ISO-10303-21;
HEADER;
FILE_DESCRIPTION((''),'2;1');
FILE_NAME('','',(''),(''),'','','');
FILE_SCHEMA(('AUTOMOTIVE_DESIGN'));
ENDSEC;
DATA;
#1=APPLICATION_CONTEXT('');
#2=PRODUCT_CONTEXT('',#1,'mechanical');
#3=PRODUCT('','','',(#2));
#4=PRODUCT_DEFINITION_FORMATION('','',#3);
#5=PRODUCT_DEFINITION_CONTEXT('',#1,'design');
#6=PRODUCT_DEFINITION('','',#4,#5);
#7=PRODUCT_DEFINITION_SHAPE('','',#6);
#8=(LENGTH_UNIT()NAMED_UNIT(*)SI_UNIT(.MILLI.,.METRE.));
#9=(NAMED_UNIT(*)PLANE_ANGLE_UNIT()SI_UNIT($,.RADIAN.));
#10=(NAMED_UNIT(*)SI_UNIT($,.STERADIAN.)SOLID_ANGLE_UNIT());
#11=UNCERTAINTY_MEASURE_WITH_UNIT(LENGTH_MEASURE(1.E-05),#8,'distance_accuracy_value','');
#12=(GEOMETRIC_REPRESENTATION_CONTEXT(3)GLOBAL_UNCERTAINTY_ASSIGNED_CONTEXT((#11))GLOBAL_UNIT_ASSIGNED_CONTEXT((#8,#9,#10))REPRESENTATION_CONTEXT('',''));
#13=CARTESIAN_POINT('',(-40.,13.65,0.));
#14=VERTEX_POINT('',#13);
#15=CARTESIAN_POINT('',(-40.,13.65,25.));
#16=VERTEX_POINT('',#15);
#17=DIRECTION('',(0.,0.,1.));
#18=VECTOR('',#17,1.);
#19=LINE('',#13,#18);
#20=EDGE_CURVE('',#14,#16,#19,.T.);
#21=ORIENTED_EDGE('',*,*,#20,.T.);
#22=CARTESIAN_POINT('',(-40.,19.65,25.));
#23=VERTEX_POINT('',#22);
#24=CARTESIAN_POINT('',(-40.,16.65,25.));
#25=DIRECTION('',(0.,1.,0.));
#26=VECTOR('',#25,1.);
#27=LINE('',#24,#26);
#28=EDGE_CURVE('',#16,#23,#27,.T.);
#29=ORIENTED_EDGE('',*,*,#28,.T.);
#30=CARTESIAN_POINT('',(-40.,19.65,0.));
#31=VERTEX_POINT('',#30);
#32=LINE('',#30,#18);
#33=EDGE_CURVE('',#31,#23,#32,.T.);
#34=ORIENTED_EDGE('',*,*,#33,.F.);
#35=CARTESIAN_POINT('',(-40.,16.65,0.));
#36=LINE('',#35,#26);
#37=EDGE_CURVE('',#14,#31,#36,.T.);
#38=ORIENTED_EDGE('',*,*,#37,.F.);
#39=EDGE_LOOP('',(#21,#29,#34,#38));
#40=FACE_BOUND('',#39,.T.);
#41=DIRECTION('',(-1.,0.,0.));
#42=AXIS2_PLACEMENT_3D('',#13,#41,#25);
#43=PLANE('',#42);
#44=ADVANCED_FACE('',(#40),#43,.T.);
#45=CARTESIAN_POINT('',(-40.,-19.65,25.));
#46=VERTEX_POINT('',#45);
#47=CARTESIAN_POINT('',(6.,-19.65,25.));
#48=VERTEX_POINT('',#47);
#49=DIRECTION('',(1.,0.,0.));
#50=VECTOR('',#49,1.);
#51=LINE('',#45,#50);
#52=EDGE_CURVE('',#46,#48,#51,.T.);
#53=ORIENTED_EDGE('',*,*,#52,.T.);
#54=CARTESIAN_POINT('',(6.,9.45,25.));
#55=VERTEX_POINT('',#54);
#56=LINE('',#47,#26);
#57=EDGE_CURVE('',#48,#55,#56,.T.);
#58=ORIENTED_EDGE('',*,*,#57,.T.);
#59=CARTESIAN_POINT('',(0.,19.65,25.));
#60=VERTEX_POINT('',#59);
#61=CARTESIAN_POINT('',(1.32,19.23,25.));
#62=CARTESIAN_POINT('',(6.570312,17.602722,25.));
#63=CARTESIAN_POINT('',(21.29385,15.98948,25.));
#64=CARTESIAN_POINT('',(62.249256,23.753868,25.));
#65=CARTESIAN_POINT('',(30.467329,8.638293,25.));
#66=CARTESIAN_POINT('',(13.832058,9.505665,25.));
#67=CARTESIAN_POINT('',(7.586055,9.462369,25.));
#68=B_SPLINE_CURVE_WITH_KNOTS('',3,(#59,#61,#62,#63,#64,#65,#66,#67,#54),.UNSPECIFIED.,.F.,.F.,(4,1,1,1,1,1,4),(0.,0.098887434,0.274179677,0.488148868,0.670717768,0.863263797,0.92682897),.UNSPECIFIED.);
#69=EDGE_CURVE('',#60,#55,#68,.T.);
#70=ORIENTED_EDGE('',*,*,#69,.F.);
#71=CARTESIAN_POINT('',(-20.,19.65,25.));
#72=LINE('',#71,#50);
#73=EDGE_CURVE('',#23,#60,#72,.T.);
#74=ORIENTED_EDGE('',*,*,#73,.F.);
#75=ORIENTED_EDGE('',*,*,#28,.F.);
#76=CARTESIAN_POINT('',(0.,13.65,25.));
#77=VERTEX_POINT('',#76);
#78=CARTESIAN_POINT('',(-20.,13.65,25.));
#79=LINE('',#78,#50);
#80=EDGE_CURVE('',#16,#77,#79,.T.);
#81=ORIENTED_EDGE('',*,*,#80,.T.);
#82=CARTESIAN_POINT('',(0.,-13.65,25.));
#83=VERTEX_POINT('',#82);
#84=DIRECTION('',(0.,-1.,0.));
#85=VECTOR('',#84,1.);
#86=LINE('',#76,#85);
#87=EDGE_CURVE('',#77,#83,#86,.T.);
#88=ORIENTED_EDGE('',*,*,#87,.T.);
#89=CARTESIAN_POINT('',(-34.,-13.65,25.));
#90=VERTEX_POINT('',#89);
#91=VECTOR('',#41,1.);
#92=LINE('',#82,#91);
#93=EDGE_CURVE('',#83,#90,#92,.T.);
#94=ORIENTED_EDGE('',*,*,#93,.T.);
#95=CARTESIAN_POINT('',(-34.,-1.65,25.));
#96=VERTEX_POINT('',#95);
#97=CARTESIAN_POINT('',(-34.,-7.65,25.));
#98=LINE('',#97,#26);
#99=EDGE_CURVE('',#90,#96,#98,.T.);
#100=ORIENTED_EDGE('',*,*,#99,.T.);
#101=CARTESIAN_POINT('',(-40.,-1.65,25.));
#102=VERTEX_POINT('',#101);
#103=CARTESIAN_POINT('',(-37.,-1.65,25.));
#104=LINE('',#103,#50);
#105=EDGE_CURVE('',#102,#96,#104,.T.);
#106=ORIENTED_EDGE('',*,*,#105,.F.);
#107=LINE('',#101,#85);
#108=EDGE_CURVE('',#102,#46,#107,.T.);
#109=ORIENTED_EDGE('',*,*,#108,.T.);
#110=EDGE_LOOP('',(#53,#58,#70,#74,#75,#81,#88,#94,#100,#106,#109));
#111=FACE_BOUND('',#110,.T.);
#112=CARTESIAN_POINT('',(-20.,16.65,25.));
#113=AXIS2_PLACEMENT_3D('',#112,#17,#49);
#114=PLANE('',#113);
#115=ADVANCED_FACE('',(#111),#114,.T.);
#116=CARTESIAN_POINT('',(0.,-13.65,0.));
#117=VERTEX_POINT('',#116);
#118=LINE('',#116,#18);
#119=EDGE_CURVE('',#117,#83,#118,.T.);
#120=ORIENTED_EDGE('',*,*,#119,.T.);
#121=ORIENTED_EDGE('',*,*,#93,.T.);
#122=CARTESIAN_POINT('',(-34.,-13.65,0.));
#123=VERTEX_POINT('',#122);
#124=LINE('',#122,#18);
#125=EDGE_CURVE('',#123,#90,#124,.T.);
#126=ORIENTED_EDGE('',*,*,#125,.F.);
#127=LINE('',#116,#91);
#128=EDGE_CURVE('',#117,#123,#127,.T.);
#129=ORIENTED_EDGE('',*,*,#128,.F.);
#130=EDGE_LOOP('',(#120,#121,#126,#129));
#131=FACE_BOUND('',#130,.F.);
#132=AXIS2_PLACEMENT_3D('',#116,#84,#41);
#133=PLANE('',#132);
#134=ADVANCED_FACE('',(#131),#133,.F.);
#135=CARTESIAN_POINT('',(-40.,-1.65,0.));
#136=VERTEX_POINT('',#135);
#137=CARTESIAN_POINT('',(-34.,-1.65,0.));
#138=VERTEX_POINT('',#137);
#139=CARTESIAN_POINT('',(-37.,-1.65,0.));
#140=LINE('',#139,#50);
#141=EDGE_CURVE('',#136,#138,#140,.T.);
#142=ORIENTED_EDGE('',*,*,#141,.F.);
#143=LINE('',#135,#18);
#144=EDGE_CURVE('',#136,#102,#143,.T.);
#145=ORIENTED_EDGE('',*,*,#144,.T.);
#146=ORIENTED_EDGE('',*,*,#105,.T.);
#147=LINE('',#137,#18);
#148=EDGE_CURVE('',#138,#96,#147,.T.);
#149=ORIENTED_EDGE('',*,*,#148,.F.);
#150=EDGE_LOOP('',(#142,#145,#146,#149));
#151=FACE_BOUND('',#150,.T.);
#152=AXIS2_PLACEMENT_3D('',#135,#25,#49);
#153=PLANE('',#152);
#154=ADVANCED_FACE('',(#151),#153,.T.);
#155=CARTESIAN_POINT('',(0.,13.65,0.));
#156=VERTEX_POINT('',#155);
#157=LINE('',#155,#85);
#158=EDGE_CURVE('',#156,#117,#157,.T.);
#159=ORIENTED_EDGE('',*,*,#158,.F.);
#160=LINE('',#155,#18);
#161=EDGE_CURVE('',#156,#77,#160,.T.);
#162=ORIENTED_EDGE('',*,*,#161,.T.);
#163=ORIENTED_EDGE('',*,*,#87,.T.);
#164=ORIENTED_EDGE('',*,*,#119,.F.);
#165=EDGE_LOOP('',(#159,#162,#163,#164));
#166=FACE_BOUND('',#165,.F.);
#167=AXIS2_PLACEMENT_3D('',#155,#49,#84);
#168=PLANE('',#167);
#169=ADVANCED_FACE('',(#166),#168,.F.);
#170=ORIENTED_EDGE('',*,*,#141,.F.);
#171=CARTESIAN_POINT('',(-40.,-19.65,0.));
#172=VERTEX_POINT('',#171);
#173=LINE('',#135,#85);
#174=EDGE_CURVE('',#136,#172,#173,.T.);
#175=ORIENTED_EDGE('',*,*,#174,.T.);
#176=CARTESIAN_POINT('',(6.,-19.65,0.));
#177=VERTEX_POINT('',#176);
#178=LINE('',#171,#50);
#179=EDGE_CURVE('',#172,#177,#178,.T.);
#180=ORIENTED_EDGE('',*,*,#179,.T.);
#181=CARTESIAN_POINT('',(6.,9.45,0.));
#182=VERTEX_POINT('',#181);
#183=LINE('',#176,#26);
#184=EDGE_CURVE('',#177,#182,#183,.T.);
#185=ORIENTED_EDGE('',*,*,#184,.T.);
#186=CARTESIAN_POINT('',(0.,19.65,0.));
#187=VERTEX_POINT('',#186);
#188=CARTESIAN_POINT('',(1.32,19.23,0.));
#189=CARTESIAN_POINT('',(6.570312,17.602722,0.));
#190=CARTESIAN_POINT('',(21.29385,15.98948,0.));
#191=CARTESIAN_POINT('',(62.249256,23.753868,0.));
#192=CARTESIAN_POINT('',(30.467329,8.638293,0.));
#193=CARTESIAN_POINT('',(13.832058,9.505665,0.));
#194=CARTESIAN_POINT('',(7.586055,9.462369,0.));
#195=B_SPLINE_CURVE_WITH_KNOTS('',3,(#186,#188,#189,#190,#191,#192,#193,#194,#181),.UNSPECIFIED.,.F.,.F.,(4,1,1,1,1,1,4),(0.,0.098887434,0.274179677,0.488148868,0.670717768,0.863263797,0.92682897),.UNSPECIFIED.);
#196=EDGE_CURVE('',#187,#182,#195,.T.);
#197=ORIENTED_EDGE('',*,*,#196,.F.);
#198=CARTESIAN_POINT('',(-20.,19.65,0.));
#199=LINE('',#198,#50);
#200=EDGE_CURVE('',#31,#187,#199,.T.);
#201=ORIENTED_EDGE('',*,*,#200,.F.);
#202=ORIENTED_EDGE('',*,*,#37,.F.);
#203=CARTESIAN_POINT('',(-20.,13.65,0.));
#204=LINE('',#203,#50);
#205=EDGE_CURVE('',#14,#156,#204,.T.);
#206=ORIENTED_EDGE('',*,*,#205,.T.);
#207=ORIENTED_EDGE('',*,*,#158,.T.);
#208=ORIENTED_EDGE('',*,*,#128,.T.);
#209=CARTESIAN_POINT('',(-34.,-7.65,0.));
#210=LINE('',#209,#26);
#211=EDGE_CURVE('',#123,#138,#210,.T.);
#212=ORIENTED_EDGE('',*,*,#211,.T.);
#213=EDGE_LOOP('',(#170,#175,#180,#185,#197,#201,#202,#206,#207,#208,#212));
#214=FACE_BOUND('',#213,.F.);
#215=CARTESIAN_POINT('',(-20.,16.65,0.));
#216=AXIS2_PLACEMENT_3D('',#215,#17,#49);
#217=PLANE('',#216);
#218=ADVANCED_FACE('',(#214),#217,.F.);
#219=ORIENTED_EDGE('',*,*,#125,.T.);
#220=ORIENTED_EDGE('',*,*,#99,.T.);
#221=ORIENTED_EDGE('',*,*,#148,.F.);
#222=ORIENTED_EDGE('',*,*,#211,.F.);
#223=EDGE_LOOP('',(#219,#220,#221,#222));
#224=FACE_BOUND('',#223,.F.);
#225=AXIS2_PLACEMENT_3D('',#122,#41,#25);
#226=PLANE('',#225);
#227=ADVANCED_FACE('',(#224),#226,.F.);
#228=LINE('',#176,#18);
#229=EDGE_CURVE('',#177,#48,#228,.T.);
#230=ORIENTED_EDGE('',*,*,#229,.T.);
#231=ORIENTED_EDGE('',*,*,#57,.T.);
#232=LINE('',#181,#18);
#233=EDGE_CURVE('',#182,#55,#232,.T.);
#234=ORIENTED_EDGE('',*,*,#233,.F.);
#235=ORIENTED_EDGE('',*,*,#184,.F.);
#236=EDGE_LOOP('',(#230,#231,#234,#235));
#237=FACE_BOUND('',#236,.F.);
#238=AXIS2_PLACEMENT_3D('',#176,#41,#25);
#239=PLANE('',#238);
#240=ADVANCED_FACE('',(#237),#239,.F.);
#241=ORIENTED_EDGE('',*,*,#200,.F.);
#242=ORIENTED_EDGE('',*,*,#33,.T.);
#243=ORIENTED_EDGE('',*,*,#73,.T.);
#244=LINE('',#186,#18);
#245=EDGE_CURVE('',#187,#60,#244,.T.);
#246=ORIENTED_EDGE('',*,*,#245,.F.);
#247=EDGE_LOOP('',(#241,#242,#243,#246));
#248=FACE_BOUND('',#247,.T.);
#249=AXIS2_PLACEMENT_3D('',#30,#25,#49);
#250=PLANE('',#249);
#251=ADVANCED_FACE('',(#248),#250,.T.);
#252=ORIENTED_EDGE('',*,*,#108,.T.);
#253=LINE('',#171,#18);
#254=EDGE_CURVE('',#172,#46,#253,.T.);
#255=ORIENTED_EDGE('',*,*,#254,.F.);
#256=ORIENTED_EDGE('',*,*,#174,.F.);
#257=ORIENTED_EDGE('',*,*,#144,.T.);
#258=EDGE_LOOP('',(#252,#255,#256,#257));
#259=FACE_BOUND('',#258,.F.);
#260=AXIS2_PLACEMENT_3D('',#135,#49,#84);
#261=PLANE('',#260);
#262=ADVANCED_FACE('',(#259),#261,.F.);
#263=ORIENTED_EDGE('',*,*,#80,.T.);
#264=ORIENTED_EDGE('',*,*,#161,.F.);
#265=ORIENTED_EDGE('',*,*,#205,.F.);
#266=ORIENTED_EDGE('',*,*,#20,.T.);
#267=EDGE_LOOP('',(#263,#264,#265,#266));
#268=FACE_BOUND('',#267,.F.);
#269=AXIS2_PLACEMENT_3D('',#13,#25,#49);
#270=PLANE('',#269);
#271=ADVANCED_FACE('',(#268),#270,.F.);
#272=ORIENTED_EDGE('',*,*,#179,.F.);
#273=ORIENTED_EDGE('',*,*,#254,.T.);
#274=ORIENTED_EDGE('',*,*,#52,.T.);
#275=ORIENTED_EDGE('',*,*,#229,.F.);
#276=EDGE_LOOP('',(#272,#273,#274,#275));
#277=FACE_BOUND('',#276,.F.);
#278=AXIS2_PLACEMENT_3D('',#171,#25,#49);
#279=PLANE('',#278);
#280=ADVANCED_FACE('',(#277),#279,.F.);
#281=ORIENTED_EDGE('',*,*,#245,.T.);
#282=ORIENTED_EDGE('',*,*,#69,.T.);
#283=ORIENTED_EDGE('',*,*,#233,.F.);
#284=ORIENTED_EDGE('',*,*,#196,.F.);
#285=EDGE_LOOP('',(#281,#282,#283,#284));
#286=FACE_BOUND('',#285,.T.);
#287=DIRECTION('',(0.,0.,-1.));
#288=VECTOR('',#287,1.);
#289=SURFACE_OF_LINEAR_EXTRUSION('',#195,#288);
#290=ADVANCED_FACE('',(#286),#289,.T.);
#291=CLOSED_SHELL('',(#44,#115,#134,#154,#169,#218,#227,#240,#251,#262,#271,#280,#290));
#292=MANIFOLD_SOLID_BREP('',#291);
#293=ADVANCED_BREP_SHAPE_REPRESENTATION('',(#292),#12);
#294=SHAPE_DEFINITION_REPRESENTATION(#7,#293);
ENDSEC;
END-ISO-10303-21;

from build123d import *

# Parameters (mm, degrees)
F0_W     = 40
F0_H     = 6
F0_W_2   = 6
F0_H_2   = 12
F1_DEPTH = 25


with BuildPart() as f1:
    # F0 (on Top) → F1 (new body)
    with BuildSketch(Plane.XY):
        with Locations((-20, 16.65)):
            Rectangle(F0_W, F0_H)
        with BuildLine():
            add(Edge.make_bspline(
                [(0, 19.65), (1.32, 19.23), (6.5703118609, 17.6027221404), (21.2938495912, 15.9894800668), (62.2492562739, 23.7538682889), (30.4673287597, 8.6382934014), (13.8320583584, 9.5056647609), (7.5860551278, 9.4623694736), (6, 9.45)],
                knots=[0, 0, 0, 0, 0.0988874341, 0.2741796768, 0.4881488683, 0.670717768, 0.8632637966, 0.9268289701, 0.9268289701, 0.9268289701, 0.9268289701], degree=3))
            Line((0, 19.65), (0, 13.65))
            Line((0, 13.65), (0, 9.45))
            add(Edge.make_bspline(
                [(6, 9.45), (4.1742630295, 9.4357612734), (2.3010396726, 9.4193708157), (0, 9.45)],
                knots=[0.9268289701, 0.9268289701, 0.9268289701, 0.9268289701, 1, 1, 1, 1], degree=3))
        make_face()
        with BuildLine():
            Line((6, -19.65), (6, 9.45))
            add(Edge.make_bspline(
                [(6, 9.45), (4.1742630295, 9.4357612734), (2.3010396726, 9.4193708157), (0, 9.45)],
                knots=[0.9268289701, 0.9268289701, 0.9268289701, 0.9268289701, 1, 1, 1, 1], degree=3))
            Line((0, 9.45), (0, -13.65))
            Line((0, -13.65), (0, -19.65))
            Line((0, -19.65), (6, -19.65))
        make_face()
        Polygon((0, -19.65), (0, -13.65), (-34, -13.65), (-40, -13.65), (-40, -19.65), align=None)
        with Locations((-37, -7.65)):
            Rectangle(F0_W_2, F0_H_2)
    extrude(amount=F1_DEPTH)


solid = f1.part
